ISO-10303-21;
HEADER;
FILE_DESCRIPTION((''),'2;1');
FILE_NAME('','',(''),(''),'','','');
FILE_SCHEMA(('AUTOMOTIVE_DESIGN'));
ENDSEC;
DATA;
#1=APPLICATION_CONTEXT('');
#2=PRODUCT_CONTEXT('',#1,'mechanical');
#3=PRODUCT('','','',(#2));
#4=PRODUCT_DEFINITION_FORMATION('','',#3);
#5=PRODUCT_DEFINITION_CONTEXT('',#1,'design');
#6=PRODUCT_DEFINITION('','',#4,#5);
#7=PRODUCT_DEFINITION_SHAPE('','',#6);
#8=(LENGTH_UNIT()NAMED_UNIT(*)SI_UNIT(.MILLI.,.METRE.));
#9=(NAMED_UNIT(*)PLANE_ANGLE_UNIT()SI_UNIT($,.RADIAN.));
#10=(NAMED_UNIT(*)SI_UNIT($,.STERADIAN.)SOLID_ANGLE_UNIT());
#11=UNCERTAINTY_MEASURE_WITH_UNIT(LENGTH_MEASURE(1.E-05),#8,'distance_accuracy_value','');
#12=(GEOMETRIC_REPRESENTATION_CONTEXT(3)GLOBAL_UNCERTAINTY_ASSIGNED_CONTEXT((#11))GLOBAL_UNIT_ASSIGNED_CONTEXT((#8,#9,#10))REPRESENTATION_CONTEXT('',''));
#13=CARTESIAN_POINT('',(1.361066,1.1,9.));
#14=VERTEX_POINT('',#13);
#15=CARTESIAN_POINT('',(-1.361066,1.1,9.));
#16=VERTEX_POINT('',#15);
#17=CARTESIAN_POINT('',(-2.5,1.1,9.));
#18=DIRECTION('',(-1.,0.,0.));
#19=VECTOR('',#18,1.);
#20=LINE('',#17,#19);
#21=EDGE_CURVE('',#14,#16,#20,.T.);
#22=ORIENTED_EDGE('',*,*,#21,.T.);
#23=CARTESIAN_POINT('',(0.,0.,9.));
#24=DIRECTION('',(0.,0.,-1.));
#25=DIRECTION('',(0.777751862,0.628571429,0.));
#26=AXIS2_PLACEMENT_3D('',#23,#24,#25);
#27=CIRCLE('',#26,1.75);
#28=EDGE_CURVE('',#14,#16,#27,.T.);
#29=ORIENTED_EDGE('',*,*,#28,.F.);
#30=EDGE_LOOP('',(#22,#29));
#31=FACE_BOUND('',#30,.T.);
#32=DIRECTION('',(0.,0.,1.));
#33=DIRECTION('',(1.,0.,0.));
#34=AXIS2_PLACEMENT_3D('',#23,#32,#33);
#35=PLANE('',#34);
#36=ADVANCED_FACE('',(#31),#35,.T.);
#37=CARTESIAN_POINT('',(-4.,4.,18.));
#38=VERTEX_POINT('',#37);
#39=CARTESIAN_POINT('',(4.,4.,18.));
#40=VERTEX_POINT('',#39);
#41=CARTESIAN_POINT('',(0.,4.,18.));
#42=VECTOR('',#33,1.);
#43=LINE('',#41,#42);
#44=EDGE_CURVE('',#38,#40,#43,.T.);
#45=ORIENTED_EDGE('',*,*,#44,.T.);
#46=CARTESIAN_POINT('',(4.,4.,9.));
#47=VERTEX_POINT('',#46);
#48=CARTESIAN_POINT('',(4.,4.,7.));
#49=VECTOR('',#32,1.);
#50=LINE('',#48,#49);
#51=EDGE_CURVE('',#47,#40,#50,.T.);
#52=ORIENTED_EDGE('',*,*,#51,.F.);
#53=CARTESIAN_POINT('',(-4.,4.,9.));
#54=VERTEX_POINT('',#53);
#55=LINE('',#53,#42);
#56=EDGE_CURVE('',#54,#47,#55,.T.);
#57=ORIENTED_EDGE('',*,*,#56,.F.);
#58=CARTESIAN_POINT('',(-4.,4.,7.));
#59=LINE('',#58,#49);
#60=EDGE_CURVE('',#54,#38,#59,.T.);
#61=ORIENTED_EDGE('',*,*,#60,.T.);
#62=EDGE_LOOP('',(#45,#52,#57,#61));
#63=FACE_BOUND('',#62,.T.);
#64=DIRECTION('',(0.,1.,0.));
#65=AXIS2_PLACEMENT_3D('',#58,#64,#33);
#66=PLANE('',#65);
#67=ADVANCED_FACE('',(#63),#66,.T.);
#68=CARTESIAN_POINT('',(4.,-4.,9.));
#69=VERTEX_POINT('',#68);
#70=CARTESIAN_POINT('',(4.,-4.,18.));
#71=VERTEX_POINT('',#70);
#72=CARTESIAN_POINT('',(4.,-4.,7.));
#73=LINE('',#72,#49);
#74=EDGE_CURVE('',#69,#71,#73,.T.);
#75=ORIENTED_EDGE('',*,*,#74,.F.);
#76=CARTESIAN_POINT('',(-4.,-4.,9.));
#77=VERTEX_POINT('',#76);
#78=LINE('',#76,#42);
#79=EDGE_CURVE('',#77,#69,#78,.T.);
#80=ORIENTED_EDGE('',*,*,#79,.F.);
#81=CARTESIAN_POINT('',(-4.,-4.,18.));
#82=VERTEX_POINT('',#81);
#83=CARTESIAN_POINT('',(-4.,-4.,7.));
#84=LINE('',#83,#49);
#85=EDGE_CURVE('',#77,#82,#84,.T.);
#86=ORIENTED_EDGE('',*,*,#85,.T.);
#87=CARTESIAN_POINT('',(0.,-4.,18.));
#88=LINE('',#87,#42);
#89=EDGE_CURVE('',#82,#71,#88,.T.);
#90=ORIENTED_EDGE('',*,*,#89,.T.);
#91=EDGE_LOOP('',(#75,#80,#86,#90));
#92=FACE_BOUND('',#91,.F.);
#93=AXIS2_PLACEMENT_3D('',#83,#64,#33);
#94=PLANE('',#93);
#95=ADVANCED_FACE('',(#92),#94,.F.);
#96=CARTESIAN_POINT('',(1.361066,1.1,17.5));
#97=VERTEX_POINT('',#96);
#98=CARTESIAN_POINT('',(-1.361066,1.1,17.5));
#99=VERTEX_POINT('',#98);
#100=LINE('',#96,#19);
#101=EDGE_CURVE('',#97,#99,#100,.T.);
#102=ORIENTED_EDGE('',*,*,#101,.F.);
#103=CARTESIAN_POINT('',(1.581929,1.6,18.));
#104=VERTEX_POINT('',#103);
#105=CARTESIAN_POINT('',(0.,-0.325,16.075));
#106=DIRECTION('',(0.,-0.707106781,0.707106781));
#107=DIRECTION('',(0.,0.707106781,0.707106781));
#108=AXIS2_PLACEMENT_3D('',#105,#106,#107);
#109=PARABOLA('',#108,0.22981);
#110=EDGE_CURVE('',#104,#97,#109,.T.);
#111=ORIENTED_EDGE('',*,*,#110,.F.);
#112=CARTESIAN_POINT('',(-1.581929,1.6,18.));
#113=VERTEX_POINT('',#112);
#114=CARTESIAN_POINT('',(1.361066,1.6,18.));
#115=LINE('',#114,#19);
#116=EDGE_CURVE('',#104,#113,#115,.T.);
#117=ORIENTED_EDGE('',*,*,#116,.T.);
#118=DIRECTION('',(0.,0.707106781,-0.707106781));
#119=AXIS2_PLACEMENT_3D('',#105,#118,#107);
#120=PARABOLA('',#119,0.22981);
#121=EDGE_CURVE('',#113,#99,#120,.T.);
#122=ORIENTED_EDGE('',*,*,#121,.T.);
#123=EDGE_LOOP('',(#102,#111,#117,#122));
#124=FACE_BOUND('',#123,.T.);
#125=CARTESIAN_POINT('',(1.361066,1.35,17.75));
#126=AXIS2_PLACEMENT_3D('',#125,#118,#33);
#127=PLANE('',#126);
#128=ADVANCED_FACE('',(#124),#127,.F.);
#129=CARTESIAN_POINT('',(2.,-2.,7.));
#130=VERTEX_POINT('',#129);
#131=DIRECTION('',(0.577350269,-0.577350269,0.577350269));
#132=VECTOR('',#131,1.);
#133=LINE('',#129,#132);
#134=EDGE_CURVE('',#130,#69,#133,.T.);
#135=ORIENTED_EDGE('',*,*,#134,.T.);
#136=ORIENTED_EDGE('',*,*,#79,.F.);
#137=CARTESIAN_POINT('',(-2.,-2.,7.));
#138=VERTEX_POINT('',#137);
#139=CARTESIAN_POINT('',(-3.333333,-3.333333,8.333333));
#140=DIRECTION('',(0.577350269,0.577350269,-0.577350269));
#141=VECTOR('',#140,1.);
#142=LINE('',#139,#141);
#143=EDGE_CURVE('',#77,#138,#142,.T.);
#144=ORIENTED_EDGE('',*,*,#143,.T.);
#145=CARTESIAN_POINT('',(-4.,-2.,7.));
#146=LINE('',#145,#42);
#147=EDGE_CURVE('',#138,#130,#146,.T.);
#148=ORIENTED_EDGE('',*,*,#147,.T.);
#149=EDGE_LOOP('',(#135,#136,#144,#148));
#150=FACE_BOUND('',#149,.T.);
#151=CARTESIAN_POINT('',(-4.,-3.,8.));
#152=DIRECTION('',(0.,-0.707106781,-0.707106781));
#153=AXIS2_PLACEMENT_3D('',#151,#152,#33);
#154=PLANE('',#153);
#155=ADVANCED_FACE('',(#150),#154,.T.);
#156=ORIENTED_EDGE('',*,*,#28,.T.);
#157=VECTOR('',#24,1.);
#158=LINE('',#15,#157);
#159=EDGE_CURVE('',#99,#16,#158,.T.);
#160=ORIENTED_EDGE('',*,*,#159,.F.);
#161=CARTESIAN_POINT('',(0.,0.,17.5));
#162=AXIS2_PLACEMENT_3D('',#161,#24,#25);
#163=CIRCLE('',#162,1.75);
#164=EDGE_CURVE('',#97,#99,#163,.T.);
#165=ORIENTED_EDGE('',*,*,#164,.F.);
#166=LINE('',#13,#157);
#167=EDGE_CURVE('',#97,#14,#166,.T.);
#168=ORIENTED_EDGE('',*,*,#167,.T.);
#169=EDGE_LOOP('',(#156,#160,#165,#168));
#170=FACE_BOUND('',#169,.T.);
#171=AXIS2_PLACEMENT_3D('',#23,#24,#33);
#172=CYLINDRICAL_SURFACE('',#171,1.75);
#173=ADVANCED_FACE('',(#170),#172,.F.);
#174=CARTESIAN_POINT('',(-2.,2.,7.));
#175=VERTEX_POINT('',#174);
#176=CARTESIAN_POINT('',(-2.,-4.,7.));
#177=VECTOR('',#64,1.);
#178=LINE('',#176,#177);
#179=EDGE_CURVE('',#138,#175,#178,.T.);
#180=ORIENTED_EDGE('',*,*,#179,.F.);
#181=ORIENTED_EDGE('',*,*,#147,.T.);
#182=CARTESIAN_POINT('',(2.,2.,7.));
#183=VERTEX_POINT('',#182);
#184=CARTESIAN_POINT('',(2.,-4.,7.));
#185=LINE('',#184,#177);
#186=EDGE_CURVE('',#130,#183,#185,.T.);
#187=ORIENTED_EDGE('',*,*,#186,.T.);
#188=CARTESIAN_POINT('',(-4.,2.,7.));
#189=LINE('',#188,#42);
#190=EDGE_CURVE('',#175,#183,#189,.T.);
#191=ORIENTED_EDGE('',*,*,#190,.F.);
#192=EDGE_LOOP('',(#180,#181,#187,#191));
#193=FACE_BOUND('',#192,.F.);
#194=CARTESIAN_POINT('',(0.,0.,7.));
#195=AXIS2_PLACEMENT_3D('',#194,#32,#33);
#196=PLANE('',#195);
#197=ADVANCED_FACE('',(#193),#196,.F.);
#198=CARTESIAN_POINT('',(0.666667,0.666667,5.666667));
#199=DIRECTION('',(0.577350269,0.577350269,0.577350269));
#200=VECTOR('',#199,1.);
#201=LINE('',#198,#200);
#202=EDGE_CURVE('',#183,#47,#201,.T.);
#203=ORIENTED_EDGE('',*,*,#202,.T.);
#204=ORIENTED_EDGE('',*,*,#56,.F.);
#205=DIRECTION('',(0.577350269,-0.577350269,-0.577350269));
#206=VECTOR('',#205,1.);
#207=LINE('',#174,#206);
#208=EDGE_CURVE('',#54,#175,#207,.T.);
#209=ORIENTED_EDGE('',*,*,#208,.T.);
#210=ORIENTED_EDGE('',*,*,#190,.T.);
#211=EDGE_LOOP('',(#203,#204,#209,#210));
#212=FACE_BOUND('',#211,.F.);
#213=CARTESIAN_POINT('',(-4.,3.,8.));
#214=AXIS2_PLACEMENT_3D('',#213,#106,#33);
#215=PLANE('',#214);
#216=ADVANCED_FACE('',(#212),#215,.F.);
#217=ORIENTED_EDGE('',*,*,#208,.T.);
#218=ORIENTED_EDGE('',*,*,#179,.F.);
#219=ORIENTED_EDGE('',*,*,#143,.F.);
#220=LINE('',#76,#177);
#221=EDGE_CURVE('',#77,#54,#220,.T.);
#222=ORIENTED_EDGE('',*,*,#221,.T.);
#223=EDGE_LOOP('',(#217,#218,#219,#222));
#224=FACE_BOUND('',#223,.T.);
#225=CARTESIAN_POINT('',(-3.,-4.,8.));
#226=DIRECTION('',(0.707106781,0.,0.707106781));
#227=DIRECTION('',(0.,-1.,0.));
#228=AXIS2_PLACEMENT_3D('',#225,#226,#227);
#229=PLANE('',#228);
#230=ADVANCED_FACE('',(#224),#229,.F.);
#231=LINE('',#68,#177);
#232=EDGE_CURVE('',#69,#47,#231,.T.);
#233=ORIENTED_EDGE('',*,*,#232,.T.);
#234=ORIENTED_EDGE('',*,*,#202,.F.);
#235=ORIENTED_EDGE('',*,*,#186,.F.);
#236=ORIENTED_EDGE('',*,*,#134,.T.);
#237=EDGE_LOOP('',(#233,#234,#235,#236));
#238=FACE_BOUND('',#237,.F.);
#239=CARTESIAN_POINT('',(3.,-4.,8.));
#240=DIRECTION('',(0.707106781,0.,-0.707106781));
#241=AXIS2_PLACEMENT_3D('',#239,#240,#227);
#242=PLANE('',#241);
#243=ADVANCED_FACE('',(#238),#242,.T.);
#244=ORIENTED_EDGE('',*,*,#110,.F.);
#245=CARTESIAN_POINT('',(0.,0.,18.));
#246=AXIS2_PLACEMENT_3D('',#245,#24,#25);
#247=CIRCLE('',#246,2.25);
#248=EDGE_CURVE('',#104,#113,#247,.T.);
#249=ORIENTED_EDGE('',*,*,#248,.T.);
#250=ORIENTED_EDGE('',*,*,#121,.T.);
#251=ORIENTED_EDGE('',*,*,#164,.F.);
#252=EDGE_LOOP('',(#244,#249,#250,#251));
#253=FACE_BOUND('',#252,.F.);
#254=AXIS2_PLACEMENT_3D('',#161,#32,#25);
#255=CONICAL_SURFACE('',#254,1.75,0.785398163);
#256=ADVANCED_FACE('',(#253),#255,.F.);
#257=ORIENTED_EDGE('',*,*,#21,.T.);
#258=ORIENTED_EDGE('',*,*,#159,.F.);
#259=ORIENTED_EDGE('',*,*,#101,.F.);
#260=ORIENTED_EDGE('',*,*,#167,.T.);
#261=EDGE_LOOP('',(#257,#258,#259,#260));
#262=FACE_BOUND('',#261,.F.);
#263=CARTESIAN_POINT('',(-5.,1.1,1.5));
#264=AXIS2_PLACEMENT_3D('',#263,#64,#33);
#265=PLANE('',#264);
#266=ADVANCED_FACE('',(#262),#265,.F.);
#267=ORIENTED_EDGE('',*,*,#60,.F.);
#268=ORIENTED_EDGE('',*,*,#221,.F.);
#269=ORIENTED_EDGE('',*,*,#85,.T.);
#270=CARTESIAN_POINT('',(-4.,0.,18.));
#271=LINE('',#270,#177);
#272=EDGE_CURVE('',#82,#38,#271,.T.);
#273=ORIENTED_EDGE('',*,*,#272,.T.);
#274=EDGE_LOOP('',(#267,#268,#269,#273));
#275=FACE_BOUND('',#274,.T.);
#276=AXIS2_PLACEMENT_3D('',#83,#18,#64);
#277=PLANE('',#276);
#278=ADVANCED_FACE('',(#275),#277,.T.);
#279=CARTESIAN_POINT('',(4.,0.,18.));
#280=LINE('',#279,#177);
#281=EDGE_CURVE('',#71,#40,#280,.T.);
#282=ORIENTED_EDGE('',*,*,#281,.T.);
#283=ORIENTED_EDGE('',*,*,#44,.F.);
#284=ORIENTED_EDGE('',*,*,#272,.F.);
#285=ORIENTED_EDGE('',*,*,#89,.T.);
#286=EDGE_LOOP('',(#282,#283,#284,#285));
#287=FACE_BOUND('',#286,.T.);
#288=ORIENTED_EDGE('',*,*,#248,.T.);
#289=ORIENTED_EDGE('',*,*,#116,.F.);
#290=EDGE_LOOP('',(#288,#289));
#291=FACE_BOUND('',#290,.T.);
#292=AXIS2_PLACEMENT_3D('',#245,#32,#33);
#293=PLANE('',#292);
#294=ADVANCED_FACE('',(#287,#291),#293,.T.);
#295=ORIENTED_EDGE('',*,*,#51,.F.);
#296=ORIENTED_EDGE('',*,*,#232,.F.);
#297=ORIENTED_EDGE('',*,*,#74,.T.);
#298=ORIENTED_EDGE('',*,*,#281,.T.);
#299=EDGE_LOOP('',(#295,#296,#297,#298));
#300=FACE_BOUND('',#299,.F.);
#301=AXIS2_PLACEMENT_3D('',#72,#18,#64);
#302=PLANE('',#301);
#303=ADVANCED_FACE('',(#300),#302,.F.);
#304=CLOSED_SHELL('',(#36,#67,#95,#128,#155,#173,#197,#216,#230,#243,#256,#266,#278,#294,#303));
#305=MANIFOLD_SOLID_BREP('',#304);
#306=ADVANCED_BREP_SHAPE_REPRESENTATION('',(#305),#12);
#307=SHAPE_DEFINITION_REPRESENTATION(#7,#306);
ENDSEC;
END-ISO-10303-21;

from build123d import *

# Parameters (mm, degrees)
BOX406008008_W     = 10
BOX406008008_H     = 10
BOX406008008_DEPTH = 19
CYLINDER079_R      = 1.75
CYLINDER079_DEPTH  = 17
BOX406008009_W     = 8
BOX406008009_H     = 8
BOX406008009_DEPTH = 11
CHAMFER004_SIZE    = 2
CHAMFER008_SIZE    = 0.5


with BuildPart() as cube343:
    # Box406008008 → Box406008008 (new body)
    with BuildSketch(Plane(origin=(-5, 1.1, 1.5), x_dir=(1, 0, 0), z_dir=(0, 0, 1))):
        with Locations((5, 5)):
            Rectangle(BOX406008008_W, BOX406008008_H)
    extrude(amount=BOX406008008_DEPTH)


with BuildPart() as motor_shaft_hole:
    # Cylinder079 → Cylinder079 (new body)
    with BuildSketch(Plane.XY.offset(9)):
        Circle(CYLINDER079_R)
    extrude(amount=CYLINDER079_DEPTH)

    # Cut064: cut Cube343
    add(cube343.part, mode=Mode.SUBTRACT)


with BuildPart() as chamfer008:
    # Box406008009 → Box406008009 (new body)
    with BuildSketch(Plane(origin=(-4, -4, 7), x_dir=(1, 0, 0), z_dir=(0, 0, 1))):
        with Locations((4, 4)):
            Rectangle(BOX406008009_W, BOX406008009_H)
    extrude(amount=BOX406008009_DEPTH)

    # Cut065: cut Motor Shaft Hole
    add(motor_shaft_hole.part, mode=Mode.SUBTRACT)

    # Chamfer004
    chamfer004_edges = [chamfer008.edges().sort_by_distance(p)[0] for p in [
        (-4, 0, 7),
        (0, -4, 7),
        (0, 4, 7),
        (4, 0, 7),
    ]]
    chamfer(chamfer004_edges, length=CHAMFER004_SIZE)

    # Chamfer008
    chamfer008_edges = [chamfer008.edges().sort_by_distance(p)[0] for p in [
        (1.649904, 0.583367, 18),
        (0, 1.1, 18),
        (-0.583367, -1.649904, 18),
    ]]
    chamfer(chamfer008_edges, length=CHAMFER008_SIZE)


solid = chamfer008.part
